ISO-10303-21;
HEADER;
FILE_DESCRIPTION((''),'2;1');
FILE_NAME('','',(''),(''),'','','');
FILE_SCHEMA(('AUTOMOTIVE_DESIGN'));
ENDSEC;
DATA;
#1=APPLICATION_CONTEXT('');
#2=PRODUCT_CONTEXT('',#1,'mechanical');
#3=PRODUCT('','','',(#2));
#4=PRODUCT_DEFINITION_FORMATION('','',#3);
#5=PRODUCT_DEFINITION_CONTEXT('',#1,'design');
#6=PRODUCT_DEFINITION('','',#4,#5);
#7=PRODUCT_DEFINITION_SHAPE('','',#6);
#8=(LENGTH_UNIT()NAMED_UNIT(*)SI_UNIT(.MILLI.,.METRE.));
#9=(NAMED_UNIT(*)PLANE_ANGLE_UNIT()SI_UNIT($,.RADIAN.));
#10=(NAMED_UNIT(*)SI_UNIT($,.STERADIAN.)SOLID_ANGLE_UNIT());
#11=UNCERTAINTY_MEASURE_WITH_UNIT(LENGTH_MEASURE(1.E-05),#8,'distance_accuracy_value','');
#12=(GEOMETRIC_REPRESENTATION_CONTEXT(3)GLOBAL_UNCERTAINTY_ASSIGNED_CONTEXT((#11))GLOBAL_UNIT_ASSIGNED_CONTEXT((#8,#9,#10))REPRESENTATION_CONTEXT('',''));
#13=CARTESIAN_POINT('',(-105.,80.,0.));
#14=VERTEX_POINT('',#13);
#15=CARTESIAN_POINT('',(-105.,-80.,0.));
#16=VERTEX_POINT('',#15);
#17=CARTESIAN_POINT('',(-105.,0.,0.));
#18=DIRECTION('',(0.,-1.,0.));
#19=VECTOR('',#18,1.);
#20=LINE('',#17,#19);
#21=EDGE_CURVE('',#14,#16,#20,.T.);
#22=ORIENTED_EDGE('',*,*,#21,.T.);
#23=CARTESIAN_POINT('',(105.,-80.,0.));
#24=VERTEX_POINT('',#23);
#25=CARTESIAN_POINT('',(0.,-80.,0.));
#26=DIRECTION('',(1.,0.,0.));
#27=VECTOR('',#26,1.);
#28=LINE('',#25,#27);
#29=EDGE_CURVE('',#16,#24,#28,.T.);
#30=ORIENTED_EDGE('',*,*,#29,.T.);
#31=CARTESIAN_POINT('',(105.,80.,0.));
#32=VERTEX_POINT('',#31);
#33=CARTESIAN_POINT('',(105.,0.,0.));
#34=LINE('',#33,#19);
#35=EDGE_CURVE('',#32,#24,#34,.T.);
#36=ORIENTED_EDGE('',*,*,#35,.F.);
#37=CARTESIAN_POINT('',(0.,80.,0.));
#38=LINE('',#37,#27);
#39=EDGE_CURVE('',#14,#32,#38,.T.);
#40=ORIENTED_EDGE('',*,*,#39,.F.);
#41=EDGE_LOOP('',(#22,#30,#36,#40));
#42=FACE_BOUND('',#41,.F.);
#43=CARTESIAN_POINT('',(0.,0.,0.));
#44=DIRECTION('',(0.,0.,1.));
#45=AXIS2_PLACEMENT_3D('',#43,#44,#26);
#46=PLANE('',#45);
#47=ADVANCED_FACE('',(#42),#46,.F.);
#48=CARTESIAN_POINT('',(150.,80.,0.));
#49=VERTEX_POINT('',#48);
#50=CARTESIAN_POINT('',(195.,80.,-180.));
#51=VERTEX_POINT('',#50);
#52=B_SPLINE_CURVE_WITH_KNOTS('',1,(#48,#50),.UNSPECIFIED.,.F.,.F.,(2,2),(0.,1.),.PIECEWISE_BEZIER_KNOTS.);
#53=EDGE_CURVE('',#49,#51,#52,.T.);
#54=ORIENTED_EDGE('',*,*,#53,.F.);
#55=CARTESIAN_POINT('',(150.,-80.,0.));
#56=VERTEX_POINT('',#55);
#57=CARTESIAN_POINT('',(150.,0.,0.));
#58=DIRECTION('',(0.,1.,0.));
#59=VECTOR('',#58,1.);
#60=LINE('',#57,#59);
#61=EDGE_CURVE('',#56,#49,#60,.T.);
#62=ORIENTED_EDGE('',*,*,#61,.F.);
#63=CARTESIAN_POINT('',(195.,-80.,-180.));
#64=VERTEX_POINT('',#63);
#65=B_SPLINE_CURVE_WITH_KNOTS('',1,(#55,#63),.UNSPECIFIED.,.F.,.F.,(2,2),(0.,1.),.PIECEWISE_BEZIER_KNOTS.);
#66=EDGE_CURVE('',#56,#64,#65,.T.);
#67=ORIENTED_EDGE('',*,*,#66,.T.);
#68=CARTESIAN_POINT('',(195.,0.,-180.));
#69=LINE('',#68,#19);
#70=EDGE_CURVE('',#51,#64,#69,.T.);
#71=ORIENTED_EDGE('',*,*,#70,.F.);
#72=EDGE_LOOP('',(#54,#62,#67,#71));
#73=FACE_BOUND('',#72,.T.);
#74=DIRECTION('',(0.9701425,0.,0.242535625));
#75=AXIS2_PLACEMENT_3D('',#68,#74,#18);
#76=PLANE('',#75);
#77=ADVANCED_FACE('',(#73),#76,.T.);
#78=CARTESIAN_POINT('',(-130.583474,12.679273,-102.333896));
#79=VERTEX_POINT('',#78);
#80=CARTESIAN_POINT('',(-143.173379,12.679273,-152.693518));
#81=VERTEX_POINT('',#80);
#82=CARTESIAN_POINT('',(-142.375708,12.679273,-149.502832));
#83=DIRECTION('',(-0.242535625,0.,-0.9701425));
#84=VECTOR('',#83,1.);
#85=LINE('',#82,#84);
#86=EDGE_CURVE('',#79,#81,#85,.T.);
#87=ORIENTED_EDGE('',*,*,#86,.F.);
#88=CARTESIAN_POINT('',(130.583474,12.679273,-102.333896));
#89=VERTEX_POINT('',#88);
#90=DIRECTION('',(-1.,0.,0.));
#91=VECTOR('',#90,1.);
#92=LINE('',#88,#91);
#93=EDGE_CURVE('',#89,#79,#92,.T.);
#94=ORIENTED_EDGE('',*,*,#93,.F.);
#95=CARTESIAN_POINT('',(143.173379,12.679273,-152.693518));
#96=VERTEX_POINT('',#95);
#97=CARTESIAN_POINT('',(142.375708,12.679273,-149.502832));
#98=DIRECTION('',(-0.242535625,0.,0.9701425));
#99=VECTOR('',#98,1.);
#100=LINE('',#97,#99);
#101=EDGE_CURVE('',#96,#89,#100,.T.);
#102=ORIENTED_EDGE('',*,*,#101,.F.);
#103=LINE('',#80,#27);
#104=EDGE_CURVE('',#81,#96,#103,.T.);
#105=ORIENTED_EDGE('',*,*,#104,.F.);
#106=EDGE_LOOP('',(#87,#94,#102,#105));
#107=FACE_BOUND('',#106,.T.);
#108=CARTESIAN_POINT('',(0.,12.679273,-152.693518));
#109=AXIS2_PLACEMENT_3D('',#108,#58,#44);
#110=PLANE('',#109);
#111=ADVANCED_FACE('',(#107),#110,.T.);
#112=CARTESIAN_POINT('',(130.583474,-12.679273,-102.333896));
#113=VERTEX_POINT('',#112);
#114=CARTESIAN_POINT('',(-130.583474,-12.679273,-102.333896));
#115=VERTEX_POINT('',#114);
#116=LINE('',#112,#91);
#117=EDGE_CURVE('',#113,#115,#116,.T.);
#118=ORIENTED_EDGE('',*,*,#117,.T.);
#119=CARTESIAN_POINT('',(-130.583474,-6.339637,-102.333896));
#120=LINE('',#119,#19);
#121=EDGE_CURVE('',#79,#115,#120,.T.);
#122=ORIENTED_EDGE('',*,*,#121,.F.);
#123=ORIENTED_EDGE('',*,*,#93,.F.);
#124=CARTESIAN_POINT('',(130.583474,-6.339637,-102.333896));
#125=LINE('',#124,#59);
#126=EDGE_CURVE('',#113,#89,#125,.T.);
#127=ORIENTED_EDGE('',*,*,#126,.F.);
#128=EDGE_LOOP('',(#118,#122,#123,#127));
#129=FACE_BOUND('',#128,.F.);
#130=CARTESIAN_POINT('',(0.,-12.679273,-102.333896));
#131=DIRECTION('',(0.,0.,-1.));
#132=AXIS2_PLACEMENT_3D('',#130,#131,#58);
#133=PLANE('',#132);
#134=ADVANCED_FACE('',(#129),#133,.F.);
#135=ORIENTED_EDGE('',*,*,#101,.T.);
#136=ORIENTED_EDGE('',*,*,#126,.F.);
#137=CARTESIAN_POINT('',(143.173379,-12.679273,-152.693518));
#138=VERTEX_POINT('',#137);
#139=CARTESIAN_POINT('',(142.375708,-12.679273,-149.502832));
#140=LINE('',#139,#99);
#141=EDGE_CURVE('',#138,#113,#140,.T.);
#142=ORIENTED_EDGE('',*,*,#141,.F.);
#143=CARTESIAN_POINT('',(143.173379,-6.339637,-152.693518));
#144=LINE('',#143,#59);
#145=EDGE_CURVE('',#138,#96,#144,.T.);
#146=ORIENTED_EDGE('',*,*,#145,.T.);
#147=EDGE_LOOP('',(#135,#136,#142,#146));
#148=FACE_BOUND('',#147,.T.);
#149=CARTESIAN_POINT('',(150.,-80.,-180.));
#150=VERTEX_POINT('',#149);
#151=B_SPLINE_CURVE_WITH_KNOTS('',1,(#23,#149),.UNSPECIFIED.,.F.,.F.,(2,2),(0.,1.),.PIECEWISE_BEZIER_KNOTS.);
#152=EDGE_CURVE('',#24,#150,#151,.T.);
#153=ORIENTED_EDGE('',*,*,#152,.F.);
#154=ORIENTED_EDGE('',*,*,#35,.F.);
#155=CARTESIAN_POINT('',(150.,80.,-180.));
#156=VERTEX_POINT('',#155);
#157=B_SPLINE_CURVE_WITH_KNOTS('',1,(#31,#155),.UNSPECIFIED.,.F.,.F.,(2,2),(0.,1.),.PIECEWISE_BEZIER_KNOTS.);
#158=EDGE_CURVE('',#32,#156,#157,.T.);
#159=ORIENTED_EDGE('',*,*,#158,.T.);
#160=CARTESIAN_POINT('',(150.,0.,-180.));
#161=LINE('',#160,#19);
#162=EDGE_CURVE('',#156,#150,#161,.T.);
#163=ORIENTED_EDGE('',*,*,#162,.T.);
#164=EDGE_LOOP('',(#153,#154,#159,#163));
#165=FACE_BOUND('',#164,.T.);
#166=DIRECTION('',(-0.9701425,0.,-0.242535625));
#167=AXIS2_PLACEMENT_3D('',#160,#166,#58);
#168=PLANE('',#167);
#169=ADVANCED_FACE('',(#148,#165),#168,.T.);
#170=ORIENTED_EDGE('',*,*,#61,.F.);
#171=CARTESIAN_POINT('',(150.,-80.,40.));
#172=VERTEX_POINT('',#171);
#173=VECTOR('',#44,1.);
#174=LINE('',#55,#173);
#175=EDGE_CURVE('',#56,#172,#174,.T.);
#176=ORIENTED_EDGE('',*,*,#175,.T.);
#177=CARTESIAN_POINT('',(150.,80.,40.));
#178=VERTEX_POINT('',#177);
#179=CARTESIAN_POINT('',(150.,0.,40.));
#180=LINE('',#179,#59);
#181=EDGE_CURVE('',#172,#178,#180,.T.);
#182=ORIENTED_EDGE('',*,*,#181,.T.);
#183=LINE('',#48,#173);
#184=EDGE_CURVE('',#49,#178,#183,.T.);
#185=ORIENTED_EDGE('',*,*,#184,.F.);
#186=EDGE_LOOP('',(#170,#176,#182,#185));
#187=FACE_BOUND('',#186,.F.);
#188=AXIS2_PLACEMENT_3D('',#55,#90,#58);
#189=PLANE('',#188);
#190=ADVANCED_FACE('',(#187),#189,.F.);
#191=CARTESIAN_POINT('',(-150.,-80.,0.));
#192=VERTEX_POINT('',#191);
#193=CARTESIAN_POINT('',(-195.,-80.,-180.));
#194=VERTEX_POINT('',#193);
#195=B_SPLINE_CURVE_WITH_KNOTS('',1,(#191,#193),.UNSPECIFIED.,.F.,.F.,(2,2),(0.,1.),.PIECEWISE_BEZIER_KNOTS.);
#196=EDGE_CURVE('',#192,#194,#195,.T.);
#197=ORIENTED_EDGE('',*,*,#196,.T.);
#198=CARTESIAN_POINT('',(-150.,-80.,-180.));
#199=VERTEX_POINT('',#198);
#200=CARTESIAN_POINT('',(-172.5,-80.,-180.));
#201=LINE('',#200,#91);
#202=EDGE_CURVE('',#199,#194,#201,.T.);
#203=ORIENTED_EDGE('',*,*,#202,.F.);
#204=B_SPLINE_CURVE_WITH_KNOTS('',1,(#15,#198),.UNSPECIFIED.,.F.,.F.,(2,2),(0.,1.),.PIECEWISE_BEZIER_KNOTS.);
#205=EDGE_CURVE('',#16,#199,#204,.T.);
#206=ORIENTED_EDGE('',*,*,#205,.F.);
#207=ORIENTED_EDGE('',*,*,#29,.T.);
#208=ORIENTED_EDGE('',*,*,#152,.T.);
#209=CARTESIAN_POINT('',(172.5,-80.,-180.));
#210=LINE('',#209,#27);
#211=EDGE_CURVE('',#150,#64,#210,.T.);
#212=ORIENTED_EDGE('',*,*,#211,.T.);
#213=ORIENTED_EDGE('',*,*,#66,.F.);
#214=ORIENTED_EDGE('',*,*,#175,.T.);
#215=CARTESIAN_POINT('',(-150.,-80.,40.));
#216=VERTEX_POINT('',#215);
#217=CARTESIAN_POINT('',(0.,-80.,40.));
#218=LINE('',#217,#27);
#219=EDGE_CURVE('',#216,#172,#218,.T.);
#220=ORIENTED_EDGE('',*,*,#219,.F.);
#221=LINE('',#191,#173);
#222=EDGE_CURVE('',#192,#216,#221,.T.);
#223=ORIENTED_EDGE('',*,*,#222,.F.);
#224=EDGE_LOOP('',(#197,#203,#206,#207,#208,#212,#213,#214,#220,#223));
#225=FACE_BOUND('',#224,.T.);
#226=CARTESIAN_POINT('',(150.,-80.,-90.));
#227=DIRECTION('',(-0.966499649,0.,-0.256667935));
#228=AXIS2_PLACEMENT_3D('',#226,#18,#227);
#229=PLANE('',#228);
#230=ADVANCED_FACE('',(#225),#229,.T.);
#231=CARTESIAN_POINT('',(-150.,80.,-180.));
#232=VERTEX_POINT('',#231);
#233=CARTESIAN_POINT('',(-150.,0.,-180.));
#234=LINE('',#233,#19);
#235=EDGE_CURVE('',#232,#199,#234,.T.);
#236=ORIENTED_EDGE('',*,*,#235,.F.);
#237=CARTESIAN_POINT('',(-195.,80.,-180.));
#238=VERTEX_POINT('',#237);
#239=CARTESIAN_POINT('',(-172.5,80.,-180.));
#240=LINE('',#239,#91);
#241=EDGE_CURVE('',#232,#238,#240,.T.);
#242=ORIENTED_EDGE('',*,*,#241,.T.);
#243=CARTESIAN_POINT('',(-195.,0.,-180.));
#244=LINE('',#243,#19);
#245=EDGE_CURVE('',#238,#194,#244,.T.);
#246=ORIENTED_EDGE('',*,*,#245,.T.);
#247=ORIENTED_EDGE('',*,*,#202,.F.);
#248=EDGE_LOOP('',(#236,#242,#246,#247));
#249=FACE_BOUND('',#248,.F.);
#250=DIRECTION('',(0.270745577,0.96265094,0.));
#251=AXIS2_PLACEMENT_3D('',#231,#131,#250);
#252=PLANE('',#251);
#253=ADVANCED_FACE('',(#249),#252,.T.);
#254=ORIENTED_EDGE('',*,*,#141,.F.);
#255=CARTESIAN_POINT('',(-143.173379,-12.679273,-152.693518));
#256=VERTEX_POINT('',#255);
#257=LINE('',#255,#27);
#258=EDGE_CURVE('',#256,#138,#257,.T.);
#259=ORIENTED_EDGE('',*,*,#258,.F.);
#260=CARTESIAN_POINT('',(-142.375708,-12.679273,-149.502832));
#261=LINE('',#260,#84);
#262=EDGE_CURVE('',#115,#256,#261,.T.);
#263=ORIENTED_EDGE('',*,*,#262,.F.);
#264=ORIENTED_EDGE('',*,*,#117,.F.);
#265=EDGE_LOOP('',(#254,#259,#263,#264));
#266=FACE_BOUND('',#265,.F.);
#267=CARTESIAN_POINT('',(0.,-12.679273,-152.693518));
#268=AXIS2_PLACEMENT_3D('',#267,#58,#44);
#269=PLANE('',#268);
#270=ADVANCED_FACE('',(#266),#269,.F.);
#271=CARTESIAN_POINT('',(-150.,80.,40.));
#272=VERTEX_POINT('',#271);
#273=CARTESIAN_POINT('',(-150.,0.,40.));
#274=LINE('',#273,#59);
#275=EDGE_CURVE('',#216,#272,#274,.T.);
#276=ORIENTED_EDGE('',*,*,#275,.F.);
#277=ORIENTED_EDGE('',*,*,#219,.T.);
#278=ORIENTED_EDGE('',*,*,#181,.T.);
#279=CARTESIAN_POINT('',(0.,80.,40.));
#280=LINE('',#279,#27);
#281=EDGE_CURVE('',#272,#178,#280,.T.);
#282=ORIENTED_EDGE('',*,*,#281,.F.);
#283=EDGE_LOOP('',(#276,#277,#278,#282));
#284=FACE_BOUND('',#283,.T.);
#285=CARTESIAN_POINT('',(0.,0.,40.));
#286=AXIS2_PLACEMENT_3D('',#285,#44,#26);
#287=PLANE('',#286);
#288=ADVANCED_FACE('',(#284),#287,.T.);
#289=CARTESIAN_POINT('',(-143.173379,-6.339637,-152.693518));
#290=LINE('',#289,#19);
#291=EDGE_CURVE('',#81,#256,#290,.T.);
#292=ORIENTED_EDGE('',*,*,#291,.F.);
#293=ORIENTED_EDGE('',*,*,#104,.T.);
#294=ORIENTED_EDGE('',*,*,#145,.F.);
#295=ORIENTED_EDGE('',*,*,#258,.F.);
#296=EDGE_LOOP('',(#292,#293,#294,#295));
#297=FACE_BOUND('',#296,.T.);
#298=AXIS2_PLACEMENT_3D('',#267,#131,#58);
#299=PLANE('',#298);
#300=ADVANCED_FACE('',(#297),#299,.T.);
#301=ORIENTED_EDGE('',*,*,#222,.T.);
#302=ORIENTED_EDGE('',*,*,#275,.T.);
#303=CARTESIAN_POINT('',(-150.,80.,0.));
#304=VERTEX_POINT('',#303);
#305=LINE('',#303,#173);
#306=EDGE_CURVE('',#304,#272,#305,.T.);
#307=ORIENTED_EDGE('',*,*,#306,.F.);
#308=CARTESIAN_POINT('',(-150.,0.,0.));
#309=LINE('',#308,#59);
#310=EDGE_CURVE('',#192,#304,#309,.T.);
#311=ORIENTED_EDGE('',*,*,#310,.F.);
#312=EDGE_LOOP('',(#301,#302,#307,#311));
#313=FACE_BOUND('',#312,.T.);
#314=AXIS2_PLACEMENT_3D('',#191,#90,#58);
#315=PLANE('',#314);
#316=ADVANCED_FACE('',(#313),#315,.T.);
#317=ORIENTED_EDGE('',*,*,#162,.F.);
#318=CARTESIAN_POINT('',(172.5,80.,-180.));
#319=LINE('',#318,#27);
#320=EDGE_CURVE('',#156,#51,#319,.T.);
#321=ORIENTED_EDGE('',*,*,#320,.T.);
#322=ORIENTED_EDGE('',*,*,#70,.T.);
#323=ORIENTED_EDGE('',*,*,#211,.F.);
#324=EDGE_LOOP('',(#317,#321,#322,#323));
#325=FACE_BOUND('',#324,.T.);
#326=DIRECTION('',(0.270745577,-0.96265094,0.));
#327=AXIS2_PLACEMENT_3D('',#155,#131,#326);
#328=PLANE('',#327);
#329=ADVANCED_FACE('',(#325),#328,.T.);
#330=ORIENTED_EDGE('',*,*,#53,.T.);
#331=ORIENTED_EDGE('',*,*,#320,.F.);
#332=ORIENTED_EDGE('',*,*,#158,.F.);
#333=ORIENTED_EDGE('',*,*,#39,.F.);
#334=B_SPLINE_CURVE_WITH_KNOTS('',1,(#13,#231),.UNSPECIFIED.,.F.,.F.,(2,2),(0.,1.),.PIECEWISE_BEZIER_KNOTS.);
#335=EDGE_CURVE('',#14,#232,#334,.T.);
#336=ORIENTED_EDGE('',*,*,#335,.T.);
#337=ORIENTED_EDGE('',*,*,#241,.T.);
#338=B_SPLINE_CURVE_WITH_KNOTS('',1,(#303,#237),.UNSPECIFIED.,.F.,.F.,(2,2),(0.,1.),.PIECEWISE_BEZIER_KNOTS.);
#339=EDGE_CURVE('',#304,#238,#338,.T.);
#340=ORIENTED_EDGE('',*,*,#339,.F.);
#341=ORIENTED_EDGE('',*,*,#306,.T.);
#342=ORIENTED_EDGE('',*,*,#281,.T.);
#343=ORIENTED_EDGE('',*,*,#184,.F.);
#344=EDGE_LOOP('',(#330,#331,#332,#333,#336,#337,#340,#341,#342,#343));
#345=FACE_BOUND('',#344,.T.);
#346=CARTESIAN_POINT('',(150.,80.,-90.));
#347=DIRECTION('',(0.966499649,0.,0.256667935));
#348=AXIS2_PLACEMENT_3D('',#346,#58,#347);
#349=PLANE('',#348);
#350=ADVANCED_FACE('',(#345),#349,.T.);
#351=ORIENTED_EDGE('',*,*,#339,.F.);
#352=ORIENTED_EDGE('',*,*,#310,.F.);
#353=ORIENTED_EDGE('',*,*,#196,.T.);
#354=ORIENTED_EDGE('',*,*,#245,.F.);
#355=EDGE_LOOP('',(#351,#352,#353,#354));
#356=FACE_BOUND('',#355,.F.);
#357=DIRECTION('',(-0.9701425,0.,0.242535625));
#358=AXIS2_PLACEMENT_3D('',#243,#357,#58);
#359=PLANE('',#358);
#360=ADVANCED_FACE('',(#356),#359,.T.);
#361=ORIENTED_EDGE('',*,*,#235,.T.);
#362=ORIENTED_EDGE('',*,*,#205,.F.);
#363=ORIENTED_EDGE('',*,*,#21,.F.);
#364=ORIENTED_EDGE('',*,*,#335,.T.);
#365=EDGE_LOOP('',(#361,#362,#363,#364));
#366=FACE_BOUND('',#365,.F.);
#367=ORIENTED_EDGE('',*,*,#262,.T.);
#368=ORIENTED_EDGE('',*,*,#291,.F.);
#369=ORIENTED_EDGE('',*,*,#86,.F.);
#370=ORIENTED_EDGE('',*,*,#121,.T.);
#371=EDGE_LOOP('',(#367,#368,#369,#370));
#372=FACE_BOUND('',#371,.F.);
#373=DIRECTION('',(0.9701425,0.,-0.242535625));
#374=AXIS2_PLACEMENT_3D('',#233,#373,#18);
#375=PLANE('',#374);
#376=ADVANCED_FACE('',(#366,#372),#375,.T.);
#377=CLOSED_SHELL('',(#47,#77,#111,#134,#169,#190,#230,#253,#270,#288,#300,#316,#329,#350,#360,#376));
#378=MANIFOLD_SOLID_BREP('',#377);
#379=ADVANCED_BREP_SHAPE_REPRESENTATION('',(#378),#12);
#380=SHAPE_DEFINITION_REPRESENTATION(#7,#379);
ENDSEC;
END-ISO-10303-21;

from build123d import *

# Parameters (mm, degrees)
F0_W          = 300
F0_H          = 160
F1_DEPTH      = 40
F4_W          = 45
F4_H          = 160
F3_W          = 45
F3_H          = 160
F7_W          = 25.3585465252
F7_H          = 50.359621644
F8_DEPTH      = 144.1733793765
F8_DEPTH_BACK = 144.1733793765


with BuildPart() as f1:
    # F0 (on Top) → F1 (new body)
    with BuildSketch(Plane.XY):
        Rectangle(F0_W, F0_H)
    extrude(amount=F1_DEPTH)

    # F6: F5 across plane


with BuildPart() as f5:
    # F4 (on face) → F5 section 0
    with BuildSketch(Plane(origin=(0, 0, 0), x_dir=(1, 0, 0), z_dir=(0, 0, -1))):
        with Locations((127.5, 0)):
            Rectangle(F4_W, F4_H)
    # F3 (on offset) → F5 section 1
    with BuildSketch(Plane(origin=(0, 0, -180), x_dir=(1, 0, 0), z_dir=(0, 0, -1))):
        with Locations((172.5, 0)):
            Rectangle(F3_W, F3_H)
    loft()


with BuildPart() as f1_1:
    add(f1.part)
    add(f5.part.mirror(Plane.YZ))


    add(f5.part)  # F8 merges F5
    # F7 (on Right) → F8 (join, two sides)
    with BuildSketch(Plane.YZ) as f8_sk:
        with Locations((0, -127.5137066841)):
            Rectangle(F7_W, F7_H)
    extrude(amount=F8_DEPTH)
    extrude(f8_sk.sketch, amount=-F8_DEPTH_BACK)


solid = f1_1.part
